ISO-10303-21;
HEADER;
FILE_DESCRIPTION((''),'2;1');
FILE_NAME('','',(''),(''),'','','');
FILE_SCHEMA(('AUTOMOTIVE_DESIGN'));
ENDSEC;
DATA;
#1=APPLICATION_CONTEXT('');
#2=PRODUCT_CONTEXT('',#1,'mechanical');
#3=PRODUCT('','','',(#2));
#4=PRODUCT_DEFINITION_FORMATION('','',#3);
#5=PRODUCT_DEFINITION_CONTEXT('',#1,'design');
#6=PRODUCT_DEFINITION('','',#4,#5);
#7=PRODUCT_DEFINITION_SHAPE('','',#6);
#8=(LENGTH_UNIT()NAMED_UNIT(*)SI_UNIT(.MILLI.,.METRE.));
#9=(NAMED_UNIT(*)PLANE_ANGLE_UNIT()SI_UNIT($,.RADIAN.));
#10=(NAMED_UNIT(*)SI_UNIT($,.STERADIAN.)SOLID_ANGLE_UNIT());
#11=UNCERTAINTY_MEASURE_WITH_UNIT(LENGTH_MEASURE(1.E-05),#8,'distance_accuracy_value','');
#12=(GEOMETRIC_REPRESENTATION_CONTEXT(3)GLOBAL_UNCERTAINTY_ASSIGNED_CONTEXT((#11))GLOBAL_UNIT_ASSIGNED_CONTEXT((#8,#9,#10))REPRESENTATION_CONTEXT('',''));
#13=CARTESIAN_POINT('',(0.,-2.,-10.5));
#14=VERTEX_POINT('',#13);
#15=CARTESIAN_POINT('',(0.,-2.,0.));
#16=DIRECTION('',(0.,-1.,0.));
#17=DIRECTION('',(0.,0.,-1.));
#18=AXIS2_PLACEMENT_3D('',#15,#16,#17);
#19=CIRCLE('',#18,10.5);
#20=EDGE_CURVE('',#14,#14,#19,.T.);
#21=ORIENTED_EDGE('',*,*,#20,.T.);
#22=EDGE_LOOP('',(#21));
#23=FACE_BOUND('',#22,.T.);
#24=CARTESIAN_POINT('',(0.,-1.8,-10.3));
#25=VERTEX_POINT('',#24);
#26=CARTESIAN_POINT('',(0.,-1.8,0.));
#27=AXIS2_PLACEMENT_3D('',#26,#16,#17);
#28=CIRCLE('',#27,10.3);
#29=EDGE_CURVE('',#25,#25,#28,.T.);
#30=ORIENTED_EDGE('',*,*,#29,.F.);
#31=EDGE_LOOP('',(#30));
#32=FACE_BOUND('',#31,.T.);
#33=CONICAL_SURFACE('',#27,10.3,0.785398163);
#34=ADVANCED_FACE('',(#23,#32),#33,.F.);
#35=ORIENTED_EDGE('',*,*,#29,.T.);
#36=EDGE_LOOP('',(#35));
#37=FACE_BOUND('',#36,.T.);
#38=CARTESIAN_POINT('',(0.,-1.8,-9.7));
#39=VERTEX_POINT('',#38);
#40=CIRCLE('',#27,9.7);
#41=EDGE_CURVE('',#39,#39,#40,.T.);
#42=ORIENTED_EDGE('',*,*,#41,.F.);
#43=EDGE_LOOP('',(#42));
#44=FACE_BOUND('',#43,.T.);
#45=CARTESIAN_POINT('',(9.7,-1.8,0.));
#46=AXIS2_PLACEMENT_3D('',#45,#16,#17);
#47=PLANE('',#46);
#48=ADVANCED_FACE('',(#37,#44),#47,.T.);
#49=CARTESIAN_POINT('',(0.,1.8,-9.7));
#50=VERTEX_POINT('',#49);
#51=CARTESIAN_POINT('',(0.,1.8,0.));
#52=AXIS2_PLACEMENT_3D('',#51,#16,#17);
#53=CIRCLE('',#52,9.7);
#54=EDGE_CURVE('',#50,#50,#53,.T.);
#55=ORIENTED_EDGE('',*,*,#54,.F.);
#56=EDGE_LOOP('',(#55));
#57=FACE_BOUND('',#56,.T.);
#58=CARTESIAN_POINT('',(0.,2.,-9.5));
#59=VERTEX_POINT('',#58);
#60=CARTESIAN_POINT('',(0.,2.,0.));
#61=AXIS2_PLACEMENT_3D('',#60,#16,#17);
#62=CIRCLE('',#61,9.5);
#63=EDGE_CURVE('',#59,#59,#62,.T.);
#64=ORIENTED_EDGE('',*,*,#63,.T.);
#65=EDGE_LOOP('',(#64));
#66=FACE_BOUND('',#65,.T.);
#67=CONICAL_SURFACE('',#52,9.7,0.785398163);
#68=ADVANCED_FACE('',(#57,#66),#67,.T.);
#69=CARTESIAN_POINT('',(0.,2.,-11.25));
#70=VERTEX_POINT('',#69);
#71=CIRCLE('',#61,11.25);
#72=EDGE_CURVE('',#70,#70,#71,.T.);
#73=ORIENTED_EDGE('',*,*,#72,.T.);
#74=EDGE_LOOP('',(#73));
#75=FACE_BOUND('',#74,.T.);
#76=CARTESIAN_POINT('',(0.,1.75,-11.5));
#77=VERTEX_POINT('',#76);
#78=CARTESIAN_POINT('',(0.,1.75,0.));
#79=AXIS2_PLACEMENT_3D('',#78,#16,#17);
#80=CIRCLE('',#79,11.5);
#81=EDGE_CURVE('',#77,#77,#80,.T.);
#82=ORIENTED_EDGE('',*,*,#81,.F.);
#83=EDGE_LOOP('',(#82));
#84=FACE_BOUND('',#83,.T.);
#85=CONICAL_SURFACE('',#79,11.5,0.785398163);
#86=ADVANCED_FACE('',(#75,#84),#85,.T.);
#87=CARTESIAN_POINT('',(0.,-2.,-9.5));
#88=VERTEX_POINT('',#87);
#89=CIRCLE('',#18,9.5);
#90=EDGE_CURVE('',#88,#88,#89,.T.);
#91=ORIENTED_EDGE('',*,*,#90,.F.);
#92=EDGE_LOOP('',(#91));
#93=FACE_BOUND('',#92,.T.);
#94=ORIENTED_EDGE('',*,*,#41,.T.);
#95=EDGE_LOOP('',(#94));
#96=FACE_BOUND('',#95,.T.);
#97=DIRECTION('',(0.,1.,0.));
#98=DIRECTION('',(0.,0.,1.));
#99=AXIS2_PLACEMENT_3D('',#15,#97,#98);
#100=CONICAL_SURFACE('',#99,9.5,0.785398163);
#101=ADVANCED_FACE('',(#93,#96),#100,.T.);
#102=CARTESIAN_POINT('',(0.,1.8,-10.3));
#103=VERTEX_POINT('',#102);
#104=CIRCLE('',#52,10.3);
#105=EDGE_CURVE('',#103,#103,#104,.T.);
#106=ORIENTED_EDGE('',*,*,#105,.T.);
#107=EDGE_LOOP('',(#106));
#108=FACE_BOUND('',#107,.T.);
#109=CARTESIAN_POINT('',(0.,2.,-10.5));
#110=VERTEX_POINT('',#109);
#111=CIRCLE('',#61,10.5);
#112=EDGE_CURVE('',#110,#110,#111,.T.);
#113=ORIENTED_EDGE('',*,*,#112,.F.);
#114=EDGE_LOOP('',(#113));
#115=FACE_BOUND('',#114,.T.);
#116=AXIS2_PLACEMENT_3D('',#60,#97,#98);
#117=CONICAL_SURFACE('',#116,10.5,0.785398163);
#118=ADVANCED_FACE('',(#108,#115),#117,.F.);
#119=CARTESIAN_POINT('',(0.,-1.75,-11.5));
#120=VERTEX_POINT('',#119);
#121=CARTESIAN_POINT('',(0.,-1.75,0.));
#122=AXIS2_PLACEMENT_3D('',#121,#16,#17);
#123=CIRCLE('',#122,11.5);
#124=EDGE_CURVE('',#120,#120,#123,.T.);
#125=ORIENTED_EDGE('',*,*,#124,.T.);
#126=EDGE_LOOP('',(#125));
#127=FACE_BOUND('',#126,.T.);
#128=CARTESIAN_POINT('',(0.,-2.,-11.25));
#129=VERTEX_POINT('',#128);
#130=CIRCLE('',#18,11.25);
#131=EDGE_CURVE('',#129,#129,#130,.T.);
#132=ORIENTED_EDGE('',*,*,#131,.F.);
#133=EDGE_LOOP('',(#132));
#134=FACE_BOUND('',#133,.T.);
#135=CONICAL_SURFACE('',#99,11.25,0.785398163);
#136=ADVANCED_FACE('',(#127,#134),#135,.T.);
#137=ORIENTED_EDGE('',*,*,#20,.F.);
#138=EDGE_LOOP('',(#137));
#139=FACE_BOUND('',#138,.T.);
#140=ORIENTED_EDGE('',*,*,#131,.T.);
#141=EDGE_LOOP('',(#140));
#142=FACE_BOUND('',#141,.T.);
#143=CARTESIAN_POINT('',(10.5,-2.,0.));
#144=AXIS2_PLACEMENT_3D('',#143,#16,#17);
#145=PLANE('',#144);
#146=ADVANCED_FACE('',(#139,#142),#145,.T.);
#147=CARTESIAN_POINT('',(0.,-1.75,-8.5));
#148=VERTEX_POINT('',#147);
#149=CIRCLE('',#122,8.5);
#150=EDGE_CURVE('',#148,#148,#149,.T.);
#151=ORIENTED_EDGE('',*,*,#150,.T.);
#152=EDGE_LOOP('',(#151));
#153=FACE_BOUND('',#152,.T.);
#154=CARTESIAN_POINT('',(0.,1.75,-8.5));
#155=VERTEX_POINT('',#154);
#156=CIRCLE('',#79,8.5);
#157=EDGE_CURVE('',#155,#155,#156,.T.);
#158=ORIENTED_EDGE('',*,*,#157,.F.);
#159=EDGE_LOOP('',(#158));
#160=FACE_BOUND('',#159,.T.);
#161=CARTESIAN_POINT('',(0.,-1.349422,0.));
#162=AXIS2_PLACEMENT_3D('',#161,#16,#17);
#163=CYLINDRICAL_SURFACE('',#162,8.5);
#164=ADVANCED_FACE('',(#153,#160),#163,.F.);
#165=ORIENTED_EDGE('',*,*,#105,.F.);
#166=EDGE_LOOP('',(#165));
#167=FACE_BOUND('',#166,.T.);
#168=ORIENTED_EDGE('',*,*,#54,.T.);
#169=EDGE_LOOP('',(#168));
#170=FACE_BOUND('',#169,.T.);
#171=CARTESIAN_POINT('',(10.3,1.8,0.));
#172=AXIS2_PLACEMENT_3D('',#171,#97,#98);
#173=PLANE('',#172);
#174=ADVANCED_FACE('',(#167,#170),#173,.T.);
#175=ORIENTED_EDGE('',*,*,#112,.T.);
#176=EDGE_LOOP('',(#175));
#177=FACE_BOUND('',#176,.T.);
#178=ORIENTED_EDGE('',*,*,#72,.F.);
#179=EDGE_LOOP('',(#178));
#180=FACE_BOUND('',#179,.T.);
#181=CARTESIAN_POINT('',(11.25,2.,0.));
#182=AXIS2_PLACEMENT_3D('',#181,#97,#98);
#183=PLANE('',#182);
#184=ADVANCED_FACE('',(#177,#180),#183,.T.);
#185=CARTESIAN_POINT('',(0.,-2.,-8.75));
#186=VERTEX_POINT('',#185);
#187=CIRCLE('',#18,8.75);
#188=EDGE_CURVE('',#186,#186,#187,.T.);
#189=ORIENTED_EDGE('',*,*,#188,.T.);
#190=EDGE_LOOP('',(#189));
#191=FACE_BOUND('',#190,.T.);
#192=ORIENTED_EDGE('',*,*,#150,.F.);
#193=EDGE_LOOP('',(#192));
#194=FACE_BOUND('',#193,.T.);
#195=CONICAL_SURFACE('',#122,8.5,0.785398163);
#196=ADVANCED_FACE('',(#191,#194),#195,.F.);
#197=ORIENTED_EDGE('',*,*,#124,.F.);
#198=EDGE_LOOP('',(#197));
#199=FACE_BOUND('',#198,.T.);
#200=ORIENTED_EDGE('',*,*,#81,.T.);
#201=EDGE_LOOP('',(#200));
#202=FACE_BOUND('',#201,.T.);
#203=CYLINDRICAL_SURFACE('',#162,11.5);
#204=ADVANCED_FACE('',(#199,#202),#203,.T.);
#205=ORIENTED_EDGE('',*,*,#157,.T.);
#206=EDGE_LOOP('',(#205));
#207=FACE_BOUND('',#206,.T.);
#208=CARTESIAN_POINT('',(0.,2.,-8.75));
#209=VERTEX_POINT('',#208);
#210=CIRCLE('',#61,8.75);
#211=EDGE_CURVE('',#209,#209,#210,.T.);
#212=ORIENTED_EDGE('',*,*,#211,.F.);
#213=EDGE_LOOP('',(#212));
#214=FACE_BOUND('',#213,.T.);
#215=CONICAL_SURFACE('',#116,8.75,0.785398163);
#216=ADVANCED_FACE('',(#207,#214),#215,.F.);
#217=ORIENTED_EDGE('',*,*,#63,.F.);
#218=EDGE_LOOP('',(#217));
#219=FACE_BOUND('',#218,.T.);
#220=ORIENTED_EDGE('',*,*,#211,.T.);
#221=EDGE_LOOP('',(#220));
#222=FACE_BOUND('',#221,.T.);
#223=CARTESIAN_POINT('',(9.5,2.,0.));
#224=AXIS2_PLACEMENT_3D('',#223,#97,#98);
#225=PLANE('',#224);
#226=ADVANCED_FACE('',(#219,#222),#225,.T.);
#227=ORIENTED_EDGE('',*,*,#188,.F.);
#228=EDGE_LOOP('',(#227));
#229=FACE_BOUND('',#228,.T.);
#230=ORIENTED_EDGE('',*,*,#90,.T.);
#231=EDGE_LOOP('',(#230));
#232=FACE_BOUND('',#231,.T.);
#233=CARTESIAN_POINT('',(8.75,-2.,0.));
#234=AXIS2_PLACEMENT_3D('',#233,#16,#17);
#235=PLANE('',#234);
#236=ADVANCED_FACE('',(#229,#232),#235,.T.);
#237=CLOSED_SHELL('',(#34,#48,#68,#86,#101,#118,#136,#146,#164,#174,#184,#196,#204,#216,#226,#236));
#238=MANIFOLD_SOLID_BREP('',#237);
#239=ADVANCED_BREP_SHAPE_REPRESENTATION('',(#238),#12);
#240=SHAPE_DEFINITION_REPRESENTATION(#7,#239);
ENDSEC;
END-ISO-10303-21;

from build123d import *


with BuildPart() as part:
    # Sketch1 → Revolve1 (revolve)
    with BuildSketch(Plane.XY):
        Polygon((8.5, 1.75), (8.5, -1.75), (8.75, -2), (9.5, -2), (9.7, -1.8), (10.3, -1.8), (10.5, -2), (11.25, -2), (11.5, -1.75), (11.5, 1.75), (11.25, 2), (10.5, 2), (10.3, 1.8), (9.7, 1.8), (9.5, 2), (8.75, 2), align=None)
    revolve(axis=Axis((0, -1.349421972, 0), (0, 1, 0)))


solid = part.part
